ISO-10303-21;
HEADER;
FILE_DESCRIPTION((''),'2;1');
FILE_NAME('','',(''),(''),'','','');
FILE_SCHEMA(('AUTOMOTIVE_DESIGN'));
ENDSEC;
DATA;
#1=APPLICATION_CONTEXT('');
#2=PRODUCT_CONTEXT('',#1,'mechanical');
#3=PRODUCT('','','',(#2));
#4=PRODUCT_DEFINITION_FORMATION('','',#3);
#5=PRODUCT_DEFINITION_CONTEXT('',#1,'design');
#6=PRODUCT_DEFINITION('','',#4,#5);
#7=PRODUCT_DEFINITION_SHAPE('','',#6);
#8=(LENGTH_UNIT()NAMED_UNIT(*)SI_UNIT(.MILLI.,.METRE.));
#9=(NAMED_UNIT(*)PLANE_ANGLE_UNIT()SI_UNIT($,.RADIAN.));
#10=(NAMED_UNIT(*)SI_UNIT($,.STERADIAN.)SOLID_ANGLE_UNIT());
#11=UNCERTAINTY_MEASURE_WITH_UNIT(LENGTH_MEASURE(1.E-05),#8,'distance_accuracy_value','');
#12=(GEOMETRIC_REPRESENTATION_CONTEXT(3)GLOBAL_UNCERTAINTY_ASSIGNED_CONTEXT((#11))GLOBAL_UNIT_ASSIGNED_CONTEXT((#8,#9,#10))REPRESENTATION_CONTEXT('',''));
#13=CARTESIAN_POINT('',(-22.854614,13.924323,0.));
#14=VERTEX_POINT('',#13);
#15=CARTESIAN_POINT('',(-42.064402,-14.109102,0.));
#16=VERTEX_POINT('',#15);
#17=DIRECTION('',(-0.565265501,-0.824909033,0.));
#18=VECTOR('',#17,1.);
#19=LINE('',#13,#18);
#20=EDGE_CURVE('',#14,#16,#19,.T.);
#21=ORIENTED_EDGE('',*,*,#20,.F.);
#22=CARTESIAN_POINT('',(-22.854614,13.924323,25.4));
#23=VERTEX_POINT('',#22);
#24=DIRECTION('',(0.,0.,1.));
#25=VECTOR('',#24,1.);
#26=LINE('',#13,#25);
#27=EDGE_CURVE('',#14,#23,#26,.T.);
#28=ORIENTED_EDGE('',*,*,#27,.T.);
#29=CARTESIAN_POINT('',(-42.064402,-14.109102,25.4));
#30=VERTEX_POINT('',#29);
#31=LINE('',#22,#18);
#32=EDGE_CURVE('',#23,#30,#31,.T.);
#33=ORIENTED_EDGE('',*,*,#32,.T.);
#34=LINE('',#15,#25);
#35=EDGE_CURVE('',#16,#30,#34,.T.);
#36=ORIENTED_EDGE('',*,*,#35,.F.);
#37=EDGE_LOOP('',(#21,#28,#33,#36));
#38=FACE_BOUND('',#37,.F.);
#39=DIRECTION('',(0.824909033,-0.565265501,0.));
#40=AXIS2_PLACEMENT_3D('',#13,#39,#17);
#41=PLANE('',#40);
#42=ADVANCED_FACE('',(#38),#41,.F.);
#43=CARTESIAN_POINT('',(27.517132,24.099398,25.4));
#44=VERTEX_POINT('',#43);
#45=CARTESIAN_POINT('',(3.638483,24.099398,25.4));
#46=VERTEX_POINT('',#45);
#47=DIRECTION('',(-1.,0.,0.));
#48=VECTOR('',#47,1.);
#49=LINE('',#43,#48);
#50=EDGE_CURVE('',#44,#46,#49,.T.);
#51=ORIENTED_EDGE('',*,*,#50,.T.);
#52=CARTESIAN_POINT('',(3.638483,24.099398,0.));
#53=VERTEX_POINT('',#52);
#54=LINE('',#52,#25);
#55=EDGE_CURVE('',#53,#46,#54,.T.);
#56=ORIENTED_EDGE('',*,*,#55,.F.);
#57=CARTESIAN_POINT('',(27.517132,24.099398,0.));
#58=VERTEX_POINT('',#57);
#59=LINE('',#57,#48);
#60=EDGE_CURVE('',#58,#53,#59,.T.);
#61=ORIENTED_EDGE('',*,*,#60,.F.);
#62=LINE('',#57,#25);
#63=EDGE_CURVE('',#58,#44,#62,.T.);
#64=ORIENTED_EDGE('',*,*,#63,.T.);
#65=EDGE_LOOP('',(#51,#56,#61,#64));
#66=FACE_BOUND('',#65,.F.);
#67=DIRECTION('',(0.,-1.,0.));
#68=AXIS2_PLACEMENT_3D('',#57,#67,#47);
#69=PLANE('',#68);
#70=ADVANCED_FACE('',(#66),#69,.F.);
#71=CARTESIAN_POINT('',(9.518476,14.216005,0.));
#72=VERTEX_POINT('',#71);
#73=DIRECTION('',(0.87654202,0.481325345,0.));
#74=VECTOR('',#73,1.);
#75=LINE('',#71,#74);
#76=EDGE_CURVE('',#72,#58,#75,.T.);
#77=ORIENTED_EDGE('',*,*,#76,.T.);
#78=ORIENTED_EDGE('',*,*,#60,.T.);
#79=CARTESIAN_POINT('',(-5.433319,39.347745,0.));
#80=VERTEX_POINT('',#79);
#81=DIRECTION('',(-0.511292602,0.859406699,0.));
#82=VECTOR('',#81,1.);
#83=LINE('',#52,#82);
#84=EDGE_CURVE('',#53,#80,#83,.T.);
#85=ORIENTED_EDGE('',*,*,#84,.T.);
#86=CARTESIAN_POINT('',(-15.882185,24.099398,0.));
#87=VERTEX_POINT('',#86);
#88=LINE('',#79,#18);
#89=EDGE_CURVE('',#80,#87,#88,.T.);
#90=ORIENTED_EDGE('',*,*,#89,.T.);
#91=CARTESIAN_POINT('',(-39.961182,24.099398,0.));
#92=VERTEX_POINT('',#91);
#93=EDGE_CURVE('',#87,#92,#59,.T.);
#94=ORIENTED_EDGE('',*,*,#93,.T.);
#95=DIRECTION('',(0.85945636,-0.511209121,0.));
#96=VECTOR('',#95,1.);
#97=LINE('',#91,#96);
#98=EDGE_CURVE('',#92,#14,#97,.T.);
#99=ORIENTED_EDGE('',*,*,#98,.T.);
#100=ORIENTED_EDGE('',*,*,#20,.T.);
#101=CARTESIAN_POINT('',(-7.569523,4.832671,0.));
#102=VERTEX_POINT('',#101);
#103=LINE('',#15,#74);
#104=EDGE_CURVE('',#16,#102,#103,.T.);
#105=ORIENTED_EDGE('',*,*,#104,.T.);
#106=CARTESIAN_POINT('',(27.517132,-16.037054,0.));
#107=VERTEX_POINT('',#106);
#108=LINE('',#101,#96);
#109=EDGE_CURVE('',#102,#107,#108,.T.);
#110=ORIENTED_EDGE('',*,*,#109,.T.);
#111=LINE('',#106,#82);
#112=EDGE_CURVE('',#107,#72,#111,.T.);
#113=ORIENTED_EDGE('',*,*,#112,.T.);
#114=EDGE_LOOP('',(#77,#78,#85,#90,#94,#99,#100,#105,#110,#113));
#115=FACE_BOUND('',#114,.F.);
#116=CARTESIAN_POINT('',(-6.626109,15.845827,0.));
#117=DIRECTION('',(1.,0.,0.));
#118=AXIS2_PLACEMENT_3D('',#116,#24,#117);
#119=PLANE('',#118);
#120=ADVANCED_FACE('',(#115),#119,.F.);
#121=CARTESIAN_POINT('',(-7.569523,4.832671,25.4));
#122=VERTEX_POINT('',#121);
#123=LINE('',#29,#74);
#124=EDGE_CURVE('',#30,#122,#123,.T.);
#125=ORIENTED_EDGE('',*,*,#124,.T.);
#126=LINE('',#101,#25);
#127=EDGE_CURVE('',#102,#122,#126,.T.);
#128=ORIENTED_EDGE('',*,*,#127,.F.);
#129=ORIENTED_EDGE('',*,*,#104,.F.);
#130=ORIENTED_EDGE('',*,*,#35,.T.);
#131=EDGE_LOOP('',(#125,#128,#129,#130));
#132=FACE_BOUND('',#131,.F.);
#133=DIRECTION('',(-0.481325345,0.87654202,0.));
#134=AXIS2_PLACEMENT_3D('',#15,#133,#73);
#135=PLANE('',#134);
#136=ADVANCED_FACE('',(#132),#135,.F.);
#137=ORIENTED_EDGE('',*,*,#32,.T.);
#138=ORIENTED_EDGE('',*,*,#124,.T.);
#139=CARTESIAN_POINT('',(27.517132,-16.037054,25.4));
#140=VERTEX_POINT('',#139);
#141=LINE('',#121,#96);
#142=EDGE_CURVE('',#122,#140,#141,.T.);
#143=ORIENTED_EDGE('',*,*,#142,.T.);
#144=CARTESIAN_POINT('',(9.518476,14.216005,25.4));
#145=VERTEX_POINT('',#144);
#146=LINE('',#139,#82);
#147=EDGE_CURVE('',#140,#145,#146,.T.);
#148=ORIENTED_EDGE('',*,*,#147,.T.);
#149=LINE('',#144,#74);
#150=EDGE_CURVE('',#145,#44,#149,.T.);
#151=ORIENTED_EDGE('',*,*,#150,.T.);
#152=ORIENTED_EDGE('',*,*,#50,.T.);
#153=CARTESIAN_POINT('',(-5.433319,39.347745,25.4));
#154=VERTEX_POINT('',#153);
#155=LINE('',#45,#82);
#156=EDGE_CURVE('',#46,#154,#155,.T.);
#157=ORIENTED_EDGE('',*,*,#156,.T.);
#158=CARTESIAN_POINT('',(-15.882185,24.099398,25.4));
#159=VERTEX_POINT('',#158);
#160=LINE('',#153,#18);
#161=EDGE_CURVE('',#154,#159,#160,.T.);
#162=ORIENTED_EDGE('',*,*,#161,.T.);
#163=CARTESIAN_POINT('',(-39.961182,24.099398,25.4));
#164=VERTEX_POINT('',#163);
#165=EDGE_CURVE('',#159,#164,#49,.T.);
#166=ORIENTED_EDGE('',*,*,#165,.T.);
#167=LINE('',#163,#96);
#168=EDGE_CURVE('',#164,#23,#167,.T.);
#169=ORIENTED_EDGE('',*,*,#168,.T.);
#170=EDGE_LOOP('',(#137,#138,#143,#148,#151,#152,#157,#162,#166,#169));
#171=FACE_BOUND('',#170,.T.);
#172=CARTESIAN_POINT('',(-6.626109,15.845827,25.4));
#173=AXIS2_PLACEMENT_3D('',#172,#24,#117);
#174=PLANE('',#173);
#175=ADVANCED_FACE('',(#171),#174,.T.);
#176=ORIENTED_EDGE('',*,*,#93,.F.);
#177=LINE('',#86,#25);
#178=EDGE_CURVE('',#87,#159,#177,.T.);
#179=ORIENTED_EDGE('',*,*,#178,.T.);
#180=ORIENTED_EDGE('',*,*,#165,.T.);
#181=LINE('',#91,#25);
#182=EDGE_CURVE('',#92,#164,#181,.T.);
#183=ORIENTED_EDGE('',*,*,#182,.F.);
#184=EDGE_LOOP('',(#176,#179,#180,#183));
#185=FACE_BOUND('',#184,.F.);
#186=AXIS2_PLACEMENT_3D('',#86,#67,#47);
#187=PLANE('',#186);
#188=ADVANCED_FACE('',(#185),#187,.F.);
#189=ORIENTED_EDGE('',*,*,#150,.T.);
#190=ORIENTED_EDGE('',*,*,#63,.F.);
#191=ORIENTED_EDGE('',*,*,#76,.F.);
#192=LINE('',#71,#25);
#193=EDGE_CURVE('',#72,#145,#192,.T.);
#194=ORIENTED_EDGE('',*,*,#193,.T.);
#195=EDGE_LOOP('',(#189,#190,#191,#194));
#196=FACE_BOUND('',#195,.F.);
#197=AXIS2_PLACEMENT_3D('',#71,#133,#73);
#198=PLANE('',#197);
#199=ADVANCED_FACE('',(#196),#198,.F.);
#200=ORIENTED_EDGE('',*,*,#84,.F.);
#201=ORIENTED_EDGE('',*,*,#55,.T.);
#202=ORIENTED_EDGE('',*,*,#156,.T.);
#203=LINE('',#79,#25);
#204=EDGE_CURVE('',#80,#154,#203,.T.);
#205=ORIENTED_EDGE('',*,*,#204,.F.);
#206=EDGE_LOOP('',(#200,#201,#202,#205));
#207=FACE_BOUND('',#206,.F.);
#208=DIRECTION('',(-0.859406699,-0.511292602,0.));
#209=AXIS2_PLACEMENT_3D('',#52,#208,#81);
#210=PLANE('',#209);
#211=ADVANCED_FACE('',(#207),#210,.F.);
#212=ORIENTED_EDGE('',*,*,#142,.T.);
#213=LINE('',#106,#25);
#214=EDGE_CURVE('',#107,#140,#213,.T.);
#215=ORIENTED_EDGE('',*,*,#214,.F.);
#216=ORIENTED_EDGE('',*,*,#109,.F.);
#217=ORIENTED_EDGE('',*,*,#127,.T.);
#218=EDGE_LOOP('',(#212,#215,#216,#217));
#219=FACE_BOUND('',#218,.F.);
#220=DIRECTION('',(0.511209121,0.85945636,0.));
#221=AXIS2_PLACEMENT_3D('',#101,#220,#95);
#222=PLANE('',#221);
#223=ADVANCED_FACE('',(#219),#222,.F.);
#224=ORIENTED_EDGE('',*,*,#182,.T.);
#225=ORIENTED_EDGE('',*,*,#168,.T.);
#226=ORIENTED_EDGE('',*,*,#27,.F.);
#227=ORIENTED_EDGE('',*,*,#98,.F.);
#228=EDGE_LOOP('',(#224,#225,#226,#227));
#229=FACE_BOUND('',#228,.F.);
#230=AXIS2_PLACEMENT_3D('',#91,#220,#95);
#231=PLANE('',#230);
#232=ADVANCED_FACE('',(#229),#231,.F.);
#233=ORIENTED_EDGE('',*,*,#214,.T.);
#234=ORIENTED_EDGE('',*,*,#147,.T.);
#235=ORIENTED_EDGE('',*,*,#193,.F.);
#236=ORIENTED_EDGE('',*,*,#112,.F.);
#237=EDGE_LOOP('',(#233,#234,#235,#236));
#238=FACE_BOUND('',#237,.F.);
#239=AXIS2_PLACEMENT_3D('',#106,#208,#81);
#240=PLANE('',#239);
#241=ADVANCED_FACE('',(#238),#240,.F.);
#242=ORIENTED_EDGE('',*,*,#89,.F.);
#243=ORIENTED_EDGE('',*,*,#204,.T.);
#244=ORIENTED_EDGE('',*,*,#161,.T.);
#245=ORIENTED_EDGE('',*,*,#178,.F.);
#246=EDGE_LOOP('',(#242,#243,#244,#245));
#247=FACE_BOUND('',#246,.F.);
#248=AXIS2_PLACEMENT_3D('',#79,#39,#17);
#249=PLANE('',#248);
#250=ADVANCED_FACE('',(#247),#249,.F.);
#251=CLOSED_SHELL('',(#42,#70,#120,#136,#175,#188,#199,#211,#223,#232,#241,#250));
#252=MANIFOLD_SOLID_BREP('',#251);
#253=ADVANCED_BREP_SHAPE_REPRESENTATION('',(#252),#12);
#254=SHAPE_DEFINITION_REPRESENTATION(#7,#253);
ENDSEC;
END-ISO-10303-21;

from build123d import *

# Parameters (mm, degrees)
F1_DEPTH = 25.4


with BuildPart() as f1:
    # F0 (on Top) → F1 (new body)
    with BuildSketch(Plane.XY):
        Polygon((-15.882185405, 24.0993984044), (-22.8546138605, 13.9243227965), (-7.5695225175, 4.832670828), (9.5184763813, 14.2160053126), (3.6384829167, 24.0993984044), align=None)
        Polygon((-39.961181581, 24.0993984044), (-22.8546138605, 13.9243227965), (-15.882185405, 24.0993984044), align=None)
        Polygon((3.6384829167, 24.0993984044), (9.5184763813, 14.2160053126), (27.5171324611, 24.0993984044), align=None)
        Polygon((-5.4333186708, 39.3477454782), (-15.882185405, 24.0993984044), (3.6384829167, 24.0993984044), align=None)
        Polygon((-22.8546138605, 13.9243227965), (-42.0644022524, -14.1091020778), (-7.5695225175, 4.832670828), align=None)
        Polygon((9.5184763813, 14.2160053126), (-7.5695225175, 4.832670828), (27.5171324611, -16.0370543599), align=None)
    extrude(amount=F1_DEPTH)


solid = f1.part
